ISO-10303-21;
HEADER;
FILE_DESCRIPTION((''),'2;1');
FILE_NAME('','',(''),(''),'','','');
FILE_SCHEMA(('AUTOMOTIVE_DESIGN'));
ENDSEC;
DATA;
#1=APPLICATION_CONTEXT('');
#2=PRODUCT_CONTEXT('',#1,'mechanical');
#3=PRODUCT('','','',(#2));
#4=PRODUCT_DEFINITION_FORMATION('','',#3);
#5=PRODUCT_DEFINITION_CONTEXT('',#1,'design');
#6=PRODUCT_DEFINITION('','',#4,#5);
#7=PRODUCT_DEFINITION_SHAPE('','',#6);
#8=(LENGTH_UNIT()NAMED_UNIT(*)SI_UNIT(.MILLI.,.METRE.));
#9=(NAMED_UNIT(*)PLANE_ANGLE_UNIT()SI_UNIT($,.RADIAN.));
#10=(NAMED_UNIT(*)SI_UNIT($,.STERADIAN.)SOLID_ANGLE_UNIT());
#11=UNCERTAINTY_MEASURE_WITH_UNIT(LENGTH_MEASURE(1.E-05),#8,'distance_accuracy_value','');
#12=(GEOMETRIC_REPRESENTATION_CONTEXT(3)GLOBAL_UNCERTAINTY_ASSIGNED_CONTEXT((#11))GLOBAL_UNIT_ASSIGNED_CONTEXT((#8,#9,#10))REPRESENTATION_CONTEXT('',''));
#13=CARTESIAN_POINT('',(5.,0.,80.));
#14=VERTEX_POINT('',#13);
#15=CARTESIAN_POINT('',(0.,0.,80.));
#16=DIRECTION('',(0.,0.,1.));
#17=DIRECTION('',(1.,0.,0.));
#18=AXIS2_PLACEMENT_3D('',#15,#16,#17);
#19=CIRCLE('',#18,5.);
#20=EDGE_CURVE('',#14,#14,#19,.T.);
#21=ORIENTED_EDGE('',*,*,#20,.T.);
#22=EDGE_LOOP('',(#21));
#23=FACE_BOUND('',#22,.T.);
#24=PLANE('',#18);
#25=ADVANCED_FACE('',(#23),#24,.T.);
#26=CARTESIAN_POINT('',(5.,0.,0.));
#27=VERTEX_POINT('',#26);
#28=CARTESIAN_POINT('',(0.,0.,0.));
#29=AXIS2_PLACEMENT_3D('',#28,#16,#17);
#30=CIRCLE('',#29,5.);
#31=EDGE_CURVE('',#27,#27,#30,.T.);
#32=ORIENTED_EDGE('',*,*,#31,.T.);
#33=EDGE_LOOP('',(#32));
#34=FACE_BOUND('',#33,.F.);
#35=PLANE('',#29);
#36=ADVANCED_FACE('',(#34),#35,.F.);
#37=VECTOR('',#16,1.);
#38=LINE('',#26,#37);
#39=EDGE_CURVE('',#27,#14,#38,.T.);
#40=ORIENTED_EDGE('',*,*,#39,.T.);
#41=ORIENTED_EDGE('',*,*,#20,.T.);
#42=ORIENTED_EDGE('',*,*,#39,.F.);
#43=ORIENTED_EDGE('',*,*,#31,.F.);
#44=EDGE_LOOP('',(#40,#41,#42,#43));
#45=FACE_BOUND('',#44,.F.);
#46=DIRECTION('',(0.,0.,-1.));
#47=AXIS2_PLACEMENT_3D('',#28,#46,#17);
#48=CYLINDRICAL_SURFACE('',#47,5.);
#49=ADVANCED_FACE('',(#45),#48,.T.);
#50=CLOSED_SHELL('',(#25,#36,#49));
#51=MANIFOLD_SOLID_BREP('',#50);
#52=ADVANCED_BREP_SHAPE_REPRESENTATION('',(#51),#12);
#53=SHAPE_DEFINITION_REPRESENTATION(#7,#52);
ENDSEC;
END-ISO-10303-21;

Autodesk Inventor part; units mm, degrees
ref_plane "YZ Plane" through (0, 0, 0) normal (1, 0, 0) x (0, 1, 0)
ref_plane "XZ Plane" through (0, 0, 0) normal (0, 1, 0) x (-1, 0, 0)
ref_plane "XY Plane" through (0, 0, 0) normal (0, 0, 1) x (1, 0, 0)
sketch "Эскиз1" plane through (0, 0, 0) normal (0, 0, 1) x (1, 0, 0)
  circle A0 centre (0, 0) radius 5
  dimension "d0" = 10
extrude "Выдавливание1" add sketch "Эскиз1" along normal blind 80
properties part number "вал_v1"
